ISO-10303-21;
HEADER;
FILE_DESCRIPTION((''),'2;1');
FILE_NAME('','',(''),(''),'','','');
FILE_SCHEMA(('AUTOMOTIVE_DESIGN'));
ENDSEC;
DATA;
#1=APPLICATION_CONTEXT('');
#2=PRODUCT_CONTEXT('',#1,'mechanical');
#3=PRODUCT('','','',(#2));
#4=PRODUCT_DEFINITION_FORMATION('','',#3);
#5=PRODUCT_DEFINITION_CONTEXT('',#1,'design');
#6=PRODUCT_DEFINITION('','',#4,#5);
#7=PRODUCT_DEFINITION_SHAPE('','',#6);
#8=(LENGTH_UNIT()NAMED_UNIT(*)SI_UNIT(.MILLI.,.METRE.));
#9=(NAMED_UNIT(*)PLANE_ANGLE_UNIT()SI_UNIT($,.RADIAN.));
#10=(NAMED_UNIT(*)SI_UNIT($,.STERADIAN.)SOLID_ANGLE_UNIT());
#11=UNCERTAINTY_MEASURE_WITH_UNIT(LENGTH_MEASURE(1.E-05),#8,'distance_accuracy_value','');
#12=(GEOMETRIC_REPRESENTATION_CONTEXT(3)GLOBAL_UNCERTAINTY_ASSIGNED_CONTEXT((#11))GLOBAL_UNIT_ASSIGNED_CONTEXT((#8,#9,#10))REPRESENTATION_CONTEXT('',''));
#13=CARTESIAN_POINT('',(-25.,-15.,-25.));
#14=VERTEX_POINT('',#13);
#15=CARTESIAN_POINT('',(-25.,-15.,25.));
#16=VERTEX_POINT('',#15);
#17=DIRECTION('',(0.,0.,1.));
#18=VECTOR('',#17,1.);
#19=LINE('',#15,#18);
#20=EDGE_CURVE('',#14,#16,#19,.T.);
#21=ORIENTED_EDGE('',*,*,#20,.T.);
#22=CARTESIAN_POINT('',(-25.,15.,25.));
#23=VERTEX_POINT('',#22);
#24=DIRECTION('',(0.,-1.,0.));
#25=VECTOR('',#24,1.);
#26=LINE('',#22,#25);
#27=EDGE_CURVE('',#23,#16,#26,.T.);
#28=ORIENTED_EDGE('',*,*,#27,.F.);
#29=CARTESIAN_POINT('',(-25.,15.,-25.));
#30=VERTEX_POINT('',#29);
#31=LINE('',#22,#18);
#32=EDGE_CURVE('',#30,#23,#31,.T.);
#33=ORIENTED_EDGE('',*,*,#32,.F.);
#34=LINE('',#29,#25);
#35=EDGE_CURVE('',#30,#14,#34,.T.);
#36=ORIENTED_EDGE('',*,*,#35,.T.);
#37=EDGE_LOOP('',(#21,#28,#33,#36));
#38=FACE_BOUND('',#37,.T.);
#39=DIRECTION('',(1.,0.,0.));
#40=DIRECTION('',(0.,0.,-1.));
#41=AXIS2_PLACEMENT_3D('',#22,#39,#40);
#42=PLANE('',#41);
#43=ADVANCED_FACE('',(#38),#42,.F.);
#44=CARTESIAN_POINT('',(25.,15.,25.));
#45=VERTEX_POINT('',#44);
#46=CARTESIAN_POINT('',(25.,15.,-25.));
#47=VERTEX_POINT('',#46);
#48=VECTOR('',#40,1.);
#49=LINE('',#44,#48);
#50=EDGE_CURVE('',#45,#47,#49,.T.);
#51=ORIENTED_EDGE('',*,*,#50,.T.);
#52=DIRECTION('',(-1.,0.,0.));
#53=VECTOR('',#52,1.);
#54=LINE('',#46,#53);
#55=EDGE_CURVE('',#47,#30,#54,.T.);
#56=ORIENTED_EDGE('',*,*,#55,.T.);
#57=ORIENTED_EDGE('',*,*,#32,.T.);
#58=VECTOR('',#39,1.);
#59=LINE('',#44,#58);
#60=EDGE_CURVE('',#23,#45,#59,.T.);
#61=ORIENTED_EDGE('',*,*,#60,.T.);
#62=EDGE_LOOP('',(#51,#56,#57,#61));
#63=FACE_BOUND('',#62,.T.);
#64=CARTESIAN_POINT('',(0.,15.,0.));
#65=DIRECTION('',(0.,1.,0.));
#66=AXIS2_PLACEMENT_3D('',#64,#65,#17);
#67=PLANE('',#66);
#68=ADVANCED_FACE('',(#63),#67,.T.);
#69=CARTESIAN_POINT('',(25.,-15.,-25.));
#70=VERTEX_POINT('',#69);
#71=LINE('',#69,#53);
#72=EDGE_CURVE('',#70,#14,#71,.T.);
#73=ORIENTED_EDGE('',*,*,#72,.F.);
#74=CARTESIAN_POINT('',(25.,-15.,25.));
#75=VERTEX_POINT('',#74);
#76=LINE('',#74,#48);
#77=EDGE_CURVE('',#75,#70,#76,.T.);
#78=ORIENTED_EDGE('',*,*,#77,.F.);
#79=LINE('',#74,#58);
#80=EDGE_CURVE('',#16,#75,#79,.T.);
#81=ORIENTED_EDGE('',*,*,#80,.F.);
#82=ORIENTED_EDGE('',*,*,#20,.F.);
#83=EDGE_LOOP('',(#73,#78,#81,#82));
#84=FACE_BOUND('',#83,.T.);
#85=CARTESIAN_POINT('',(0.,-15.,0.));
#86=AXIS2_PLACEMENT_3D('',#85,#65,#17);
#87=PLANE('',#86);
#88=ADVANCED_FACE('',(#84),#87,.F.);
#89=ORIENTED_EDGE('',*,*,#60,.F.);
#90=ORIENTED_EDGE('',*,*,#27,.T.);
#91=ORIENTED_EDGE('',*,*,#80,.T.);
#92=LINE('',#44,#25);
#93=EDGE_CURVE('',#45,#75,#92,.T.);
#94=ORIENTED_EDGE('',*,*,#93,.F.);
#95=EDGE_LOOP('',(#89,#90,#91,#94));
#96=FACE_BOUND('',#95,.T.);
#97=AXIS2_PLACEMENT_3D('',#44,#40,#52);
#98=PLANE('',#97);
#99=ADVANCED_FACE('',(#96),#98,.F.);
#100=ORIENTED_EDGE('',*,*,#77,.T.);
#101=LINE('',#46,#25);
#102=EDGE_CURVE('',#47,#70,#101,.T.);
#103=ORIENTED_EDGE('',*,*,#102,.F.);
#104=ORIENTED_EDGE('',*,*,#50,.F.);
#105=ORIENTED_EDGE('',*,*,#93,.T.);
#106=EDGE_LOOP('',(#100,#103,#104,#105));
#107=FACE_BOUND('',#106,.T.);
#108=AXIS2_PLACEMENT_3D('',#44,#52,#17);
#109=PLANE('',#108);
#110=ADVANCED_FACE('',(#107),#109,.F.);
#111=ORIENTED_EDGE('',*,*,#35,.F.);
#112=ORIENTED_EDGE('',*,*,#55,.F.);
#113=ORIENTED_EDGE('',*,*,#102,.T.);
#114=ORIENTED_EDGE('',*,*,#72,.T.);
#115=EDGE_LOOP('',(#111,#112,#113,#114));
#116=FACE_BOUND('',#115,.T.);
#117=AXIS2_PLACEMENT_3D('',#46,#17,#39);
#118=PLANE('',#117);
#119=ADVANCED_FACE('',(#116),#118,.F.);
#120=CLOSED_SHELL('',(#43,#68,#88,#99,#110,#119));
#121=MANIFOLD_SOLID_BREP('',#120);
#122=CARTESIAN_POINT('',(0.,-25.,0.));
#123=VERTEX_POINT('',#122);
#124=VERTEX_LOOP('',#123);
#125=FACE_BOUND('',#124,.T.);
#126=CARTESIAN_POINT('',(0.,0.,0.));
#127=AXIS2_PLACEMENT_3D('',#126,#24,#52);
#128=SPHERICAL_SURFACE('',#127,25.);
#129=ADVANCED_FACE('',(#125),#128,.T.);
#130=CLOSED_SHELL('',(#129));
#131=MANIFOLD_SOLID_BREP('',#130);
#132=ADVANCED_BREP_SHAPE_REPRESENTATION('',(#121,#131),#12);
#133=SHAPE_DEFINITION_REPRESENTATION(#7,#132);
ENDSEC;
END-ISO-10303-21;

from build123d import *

# Parameters (mm, degrees)
SKIZZE2_W                       = 50
SKIZZE2_H                       = 50
AUFSATZ_LINEAR_AUSTRAGEN1_DEPTH = 15


with BuildPart() as part:
    # Skizze1 → Rotation1 (revolve)
    with BuildSketch(Plane.XY):
        with BuildLine():
            Line((0, 0), (0, 25))
            ThreePointArc((0, 25), (-25, 0), (0, -25))
            Line((0, -25), (0, 0))
        make_face()
    revolve(axis=Axis((0, 0, 0), (0, 1, 0)))


with BuildPart() as body_2:
    # Skizze2 → Aufsatz-Linear austragen1 (new body, symmetric)
    with BuildSketch(Plane(origin=(0, 0, 0), x_dir=(1, 0, 0), z_dir=(0, 1, 0))):
        Rectangle(SKIZZE2_W, SKIZZE2_H)
    extrude(amount=AUFSATZ_LINEAR_AUSTRAGEN1_DEPTH, both=True)


solid = Compound([part.part, body_2.part])
